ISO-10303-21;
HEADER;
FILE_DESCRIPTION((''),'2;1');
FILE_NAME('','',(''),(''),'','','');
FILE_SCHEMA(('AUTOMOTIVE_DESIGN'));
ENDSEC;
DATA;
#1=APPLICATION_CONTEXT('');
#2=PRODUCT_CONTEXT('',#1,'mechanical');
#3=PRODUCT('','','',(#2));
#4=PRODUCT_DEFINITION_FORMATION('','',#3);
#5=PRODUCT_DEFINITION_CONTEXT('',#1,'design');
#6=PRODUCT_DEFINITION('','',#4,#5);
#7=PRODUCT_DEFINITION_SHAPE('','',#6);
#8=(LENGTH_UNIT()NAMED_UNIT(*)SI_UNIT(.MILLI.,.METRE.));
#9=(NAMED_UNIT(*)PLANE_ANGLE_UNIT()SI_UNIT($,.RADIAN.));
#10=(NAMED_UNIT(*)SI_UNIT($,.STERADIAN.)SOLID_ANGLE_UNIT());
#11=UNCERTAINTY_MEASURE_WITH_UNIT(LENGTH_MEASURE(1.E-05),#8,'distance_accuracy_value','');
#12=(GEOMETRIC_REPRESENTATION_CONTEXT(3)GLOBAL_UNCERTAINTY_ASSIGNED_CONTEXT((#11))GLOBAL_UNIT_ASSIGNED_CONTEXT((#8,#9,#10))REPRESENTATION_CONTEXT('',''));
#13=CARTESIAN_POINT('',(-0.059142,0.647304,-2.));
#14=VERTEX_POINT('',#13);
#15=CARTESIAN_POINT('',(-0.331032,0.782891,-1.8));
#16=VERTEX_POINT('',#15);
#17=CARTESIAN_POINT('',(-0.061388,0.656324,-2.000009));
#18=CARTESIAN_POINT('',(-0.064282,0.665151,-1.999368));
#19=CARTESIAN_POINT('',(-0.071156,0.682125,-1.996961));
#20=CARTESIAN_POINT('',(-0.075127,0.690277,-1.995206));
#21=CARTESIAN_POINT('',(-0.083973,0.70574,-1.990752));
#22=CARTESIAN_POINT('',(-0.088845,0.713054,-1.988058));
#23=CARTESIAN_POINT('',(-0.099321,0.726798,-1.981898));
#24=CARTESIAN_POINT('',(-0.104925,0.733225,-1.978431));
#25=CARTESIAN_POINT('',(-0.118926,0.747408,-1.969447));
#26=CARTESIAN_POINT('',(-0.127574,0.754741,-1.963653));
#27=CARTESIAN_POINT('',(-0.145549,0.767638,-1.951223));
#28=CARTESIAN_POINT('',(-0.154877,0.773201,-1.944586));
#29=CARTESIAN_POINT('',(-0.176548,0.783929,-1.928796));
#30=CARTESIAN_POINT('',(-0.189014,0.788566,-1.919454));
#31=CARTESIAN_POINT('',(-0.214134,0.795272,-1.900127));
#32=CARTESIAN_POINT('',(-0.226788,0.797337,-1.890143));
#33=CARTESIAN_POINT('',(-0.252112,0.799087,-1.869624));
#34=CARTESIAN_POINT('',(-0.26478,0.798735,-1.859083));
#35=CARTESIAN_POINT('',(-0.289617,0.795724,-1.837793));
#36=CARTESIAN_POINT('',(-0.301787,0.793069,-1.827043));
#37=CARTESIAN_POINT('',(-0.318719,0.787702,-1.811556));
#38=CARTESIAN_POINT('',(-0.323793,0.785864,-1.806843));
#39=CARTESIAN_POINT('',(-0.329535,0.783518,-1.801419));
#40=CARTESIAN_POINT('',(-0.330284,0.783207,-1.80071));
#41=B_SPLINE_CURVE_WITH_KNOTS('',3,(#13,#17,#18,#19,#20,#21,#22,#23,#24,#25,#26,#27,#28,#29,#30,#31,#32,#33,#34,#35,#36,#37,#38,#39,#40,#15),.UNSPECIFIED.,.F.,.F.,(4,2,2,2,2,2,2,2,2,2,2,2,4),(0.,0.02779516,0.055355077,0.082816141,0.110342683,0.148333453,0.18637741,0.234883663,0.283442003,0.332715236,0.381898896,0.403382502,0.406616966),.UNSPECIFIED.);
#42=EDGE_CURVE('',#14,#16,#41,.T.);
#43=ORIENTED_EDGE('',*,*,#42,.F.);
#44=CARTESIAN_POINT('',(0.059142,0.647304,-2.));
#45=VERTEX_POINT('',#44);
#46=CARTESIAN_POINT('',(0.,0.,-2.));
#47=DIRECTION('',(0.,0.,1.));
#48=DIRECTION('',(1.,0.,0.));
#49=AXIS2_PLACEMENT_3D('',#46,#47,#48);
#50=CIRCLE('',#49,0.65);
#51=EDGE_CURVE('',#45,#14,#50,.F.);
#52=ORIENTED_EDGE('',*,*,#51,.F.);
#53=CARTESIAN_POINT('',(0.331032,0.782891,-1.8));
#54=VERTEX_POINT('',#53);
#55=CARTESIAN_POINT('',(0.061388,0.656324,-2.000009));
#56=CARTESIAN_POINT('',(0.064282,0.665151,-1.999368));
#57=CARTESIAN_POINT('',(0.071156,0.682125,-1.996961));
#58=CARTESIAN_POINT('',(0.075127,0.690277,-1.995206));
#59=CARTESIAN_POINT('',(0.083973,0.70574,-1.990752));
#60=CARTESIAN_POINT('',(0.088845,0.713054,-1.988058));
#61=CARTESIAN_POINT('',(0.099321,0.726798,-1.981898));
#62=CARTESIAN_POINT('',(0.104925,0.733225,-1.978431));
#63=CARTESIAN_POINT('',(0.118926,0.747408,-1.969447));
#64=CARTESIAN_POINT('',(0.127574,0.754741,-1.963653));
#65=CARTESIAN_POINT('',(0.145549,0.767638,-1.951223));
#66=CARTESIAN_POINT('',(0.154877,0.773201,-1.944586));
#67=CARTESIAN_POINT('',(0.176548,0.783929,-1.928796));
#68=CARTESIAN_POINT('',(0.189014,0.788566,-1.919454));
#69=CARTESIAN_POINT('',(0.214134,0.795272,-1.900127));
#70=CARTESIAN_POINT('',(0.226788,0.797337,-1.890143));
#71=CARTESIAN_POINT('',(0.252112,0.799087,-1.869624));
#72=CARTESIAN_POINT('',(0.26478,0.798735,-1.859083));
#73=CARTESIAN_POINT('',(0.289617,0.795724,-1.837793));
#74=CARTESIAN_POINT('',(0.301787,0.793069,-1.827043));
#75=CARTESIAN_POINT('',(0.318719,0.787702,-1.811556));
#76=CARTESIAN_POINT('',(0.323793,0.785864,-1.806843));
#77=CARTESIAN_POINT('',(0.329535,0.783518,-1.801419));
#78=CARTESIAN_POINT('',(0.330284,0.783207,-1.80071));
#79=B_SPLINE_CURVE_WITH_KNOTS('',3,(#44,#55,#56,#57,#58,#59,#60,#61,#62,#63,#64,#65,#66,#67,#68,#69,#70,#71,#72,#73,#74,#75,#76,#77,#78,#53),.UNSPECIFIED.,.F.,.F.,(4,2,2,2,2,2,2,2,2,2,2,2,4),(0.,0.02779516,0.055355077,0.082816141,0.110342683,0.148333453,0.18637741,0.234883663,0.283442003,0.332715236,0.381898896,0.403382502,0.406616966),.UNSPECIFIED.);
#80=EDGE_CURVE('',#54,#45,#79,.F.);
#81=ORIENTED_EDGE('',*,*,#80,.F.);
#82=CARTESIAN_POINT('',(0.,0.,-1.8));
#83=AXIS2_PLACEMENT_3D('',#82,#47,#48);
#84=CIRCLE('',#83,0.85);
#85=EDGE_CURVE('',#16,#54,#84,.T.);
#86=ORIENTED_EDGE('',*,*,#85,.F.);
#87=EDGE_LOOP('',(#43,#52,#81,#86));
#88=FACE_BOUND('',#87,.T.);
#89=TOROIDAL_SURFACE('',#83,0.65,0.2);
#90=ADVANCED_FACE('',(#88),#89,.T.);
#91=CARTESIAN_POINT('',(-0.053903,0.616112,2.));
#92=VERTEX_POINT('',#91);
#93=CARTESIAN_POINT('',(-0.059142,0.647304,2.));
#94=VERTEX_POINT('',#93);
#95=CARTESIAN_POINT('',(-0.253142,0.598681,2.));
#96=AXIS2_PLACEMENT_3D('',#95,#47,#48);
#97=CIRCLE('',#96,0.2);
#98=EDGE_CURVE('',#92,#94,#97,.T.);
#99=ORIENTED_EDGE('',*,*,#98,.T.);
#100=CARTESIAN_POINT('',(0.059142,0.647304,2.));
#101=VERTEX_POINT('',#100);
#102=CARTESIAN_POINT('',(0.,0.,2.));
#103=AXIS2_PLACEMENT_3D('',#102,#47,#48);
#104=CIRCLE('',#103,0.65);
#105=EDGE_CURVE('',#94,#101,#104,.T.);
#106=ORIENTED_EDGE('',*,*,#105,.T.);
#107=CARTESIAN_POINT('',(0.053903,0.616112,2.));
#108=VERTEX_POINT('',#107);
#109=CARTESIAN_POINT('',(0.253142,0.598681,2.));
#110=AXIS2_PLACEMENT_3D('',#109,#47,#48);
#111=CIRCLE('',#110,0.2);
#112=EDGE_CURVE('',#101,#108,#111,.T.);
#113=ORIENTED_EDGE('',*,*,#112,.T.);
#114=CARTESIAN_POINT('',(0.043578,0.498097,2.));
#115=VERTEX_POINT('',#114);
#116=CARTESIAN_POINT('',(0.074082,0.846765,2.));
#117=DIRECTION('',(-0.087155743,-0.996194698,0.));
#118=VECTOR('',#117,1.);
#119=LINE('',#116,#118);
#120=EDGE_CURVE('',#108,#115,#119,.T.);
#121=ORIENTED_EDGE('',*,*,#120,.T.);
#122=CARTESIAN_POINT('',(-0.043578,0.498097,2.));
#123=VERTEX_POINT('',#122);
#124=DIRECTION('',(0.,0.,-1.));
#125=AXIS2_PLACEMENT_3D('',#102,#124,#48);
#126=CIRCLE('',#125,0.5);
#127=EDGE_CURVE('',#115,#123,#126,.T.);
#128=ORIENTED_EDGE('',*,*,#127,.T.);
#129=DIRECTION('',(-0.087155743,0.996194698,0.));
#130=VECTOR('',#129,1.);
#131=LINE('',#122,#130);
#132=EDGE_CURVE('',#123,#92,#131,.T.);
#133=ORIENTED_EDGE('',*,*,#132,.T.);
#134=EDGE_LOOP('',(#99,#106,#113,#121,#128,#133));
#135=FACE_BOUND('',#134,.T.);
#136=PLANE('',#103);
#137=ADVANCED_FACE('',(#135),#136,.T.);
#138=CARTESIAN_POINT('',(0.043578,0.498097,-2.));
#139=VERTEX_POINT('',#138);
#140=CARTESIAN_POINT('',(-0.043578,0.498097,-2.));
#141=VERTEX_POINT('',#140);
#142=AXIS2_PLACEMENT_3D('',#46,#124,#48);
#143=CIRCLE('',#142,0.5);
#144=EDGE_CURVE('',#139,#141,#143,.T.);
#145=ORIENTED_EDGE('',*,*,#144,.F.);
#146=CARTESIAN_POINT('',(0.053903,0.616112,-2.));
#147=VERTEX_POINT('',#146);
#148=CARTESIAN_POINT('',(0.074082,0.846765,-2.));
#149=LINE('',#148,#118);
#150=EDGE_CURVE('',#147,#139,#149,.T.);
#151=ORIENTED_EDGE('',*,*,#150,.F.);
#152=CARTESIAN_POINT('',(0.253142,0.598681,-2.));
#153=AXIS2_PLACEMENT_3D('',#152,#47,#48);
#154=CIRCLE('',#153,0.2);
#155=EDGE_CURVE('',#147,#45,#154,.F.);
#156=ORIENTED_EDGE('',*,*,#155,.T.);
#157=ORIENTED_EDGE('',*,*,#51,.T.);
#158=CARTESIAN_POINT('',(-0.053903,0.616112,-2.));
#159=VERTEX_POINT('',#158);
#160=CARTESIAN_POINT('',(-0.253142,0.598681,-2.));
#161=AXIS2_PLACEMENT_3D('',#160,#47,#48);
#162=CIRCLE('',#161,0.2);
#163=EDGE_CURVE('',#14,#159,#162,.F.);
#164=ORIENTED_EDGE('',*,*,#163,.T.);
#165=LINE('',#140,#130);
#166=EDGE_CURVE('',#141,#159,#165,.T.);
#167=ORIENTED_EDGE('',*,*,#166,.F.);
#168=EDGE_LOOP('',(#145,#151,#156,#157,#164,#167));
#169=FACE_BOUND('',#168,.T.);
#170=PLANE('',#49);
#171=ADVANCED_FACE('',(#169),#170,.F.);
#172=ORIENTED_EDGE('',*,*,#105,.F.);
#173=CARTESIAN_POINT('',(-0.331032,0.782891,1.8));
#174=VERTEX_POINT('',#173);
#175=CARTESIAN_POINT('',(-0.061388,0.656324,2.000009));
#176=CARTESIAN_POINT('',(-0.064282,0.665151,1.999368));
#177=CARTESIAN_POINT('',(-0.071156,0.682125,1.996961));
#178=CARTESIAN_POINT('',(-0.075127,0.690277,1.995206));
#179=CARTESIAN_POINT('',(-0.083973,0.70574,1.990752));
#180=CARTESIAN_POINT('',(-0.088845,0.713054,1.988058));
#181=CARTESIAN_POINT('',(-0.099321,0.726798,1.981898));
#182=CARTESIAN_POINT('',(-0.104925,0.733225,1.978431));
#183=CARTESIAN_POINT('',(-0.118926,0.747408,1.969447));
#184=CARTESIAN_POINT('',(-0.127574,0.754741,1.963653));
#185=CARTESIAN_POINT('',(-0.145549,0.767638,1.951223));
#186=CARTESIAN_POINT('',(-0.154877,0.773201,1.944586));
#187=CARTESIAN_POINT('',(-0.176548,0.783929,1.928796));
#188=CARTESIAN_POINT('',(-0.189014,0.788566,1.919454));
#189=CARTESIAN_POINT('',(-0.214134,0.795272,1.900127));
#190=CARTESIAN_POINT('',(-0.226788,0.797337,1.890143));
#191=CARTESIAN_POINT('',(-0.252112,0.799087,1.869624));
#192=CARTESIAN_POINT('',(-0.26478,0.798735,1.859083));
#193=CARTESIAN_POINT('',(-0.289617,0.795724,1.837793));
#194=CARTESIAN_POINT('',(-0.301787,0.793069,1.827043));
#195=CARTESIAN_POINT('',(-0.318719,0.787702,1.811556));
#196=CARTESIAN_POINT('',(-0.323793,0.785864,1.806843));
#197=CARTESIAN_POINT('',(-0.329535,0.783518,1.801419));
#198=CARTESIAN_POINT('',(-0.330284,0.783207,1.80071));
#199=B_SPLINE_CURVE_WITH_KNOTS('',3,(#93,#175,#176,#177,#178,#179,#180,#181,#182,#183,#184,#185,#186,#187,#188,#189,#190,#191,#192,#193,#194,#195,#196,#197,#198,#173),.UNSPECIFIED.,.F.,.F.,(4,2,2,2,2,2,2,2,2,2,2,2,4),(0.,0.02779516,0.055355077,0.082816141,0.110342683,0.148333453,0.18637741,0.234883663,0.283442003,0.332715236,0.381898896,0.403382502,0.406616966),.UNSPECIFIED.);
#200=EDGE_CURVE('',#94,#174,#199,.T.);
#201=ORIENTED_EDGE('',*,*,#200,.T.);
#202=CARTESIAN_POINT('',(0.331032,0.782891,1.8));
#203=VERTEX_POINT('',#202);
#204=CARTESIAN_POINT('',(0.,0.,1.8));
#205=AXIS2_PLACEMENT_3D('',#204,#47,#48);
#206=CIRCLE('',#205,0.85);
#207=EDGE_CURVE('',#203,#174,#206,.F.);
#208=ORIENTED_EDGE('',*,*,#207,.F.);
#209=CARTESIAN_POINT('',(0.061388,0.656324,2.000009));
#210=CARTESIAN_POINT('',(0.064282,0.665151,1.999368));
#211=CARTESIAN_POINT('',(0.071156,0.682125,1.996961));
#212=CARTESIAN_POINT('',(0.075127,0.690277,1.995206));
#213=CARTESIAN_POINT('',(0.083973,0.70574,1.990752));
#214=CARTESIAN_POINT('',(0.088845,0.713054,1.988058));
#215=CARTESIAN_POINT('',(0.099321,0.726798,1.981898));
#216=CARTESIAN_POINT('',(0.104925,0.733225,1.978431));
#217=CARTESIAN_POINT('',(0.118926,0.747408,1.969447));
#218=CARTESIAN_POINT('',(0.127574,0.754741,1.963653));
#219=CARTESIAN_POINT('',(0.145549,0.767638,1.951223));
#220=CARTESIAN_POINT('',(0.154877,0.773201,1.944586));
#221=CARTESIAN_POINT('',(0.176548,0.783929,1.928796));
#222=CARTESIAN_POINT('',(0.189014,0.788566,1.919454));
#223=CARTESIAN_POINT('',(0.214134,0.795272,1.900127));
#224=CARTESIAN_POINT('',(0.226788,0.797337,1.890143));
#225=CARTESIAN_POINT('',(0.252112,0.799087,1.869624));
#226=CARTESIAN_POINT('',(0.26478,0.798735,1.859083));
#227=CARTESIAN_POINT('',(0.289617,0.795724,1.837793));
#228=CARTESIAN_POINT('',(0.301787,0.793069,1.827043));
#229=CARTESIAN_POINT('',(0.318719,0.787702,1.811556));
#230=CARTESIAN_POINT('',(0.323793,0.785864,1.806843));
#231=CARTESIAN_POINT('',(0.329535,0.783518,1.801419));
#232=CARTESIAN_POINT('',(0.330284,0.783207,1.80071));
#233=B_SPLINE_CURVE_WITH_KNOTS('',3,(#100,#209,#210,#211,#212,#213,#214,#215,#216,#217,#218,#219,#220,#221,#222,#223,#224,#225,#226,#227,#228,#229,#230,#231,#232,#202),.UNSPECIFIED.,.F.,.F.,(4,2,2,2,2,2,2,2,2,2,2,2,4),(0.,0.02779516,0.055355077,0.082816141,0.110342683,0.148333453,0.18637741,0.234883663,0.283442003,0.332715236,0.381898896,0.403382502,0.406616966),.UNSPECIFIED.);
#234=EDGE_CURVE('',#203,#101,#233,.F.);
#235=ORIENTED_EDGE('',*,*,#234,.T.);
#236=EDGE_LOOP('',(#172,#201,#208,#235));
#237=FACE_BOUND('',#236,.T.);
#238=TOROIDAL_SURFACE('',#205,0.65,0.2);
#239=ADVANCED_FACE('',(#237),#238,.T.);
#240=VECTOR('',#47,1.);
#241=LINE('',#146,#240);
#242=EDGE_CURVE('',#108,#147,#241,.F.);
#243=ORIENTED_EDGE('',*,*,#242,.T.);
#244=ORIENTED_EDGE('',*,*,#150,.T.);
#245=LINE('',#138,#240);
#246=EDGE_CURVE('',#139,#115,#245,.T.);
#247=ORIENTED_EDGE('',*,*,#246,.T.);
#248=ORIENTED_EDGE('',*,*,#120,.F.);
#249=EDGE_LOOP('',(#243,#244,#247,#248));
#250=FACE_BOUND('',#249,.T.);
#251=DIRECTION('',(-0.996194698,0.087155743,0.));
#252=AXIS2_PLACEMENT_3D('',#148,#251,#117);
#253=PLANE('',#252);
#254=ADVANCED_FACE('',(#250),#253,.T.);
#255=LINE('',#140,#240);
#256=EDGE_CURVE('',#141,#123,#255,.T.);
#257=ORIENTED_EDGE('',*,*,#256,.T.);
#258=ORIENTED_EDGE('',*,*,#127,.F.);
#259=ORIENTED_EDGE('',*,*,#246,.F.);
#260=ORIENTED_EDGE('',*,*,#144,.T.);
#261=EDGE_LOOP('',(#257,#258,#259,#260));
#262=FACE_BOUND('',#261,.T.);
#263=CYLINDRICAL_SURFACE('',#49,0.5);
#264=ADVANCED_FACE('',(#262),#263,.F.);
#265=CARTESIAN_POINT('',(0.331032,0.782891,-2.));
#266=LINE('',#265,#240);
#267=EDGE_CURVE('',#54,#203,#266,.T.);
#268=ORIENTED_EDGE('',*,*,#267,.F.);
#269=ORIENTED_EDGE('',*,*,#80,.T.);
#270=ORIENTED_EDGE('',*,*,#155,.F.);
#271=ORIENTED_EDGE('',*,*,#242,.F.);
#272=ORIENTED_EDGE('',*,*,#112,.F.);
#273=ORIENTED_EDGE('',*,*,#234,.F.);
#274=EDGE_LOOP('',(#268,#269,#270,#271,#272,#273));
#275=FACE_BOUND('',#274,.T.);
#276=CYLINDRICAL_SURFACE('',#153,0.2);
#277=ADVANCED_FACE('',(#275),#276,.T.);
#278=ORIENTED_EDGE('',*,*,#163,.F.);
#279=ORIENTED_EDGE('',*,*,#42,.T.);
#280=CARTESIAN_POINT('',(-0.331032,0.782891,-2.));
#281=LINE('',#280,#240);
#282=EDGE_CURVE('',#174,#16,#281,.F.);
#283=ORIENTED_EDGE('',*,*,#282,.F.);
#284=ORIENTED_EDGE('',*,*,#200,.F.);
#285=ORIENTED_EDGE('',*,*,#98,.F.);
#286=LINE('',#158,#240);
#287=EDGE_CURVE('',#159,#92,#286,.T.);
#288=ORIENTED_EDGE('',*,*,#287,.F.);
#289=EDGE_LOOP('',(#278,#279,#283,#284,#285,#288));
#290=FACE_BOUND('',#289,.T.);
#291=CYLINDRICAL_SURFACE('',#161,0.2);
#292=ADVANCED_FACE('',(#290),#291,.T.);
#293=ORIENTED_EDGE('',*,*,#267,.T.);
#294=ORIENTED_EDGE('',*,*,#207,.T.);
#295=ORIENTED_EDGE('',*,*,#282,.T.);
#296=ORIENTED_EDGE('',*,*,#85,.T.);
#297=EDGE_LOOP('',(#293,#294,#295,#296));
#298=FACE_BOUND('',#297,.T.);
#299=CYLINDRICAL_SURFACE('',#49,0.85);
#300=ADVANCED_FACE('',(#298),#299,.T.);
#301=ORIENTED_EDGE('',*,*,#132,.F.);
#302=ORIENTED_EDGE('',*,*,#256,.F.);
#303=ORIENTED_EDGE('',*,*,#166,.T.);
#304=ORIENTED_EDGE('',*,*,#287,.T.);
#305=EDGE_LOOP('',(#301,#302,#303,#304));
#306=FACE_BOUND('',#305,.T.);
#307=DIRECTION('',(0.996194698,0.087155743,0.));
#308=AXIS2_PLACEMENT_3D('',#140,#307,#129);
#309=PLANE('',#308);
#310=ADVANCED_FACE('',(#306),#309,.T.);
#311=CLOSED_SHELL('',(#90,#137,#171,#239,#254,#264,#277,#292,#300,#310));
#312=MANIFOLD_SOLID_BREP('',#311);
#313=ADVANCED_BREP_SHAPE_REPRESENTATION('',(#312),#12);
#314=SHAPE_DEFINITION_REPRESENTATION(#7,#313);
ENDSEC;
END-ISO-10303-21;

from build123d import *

# Parameters (mm, degrees)
BOSS_EXTRUDE1_DEPTH      = 2
BOSS_EXTRUDE1_DEPTH_BACK = 2
FILLET2_R                = 0.2


with BuildPart() as part:
    # Sketch1 → Boss-Extrude1 (new, two sides: drawn at the far end of the back side and taken through both)
    with BuildSketch(Plane.XY.offset(-BOSS_EXTRUDE1_DEPTH_BACK)):
        with BuildLine():
            Line((0.074082381, 0.846765493), (0.043577871, 0.498097349))
            ThreePointArc((0.043577871, 0.498097349), (0, -0.5), (-0.043577871, 0.498097349))
            Line((-0.043577871, 0.498097349), (-0.074082381, 0.846765493))
            ThreePointArc((-0.074082381, 0.846765493), (0, -0.85), (0.074082381, 0.846765493))
        make_face()
    extrude(amount=BOSS_EXTRUDE1_DEPTH + BOSS_EXTRUDE1_DEPTH_BACK)

    # Fillet2
    fillet2_edges = [part.edges().sort_by_distance(p)[0] for p in [
        (0, -0.85, 2),
        (0, -0.85, -2),
        (0.074082381, 0.846765493, 0),
        (-0.074082381, 0.846765493, 0),
    ]]
    fillet(fillet2_edges, radius=FILLET2_R)


solid = part.part
